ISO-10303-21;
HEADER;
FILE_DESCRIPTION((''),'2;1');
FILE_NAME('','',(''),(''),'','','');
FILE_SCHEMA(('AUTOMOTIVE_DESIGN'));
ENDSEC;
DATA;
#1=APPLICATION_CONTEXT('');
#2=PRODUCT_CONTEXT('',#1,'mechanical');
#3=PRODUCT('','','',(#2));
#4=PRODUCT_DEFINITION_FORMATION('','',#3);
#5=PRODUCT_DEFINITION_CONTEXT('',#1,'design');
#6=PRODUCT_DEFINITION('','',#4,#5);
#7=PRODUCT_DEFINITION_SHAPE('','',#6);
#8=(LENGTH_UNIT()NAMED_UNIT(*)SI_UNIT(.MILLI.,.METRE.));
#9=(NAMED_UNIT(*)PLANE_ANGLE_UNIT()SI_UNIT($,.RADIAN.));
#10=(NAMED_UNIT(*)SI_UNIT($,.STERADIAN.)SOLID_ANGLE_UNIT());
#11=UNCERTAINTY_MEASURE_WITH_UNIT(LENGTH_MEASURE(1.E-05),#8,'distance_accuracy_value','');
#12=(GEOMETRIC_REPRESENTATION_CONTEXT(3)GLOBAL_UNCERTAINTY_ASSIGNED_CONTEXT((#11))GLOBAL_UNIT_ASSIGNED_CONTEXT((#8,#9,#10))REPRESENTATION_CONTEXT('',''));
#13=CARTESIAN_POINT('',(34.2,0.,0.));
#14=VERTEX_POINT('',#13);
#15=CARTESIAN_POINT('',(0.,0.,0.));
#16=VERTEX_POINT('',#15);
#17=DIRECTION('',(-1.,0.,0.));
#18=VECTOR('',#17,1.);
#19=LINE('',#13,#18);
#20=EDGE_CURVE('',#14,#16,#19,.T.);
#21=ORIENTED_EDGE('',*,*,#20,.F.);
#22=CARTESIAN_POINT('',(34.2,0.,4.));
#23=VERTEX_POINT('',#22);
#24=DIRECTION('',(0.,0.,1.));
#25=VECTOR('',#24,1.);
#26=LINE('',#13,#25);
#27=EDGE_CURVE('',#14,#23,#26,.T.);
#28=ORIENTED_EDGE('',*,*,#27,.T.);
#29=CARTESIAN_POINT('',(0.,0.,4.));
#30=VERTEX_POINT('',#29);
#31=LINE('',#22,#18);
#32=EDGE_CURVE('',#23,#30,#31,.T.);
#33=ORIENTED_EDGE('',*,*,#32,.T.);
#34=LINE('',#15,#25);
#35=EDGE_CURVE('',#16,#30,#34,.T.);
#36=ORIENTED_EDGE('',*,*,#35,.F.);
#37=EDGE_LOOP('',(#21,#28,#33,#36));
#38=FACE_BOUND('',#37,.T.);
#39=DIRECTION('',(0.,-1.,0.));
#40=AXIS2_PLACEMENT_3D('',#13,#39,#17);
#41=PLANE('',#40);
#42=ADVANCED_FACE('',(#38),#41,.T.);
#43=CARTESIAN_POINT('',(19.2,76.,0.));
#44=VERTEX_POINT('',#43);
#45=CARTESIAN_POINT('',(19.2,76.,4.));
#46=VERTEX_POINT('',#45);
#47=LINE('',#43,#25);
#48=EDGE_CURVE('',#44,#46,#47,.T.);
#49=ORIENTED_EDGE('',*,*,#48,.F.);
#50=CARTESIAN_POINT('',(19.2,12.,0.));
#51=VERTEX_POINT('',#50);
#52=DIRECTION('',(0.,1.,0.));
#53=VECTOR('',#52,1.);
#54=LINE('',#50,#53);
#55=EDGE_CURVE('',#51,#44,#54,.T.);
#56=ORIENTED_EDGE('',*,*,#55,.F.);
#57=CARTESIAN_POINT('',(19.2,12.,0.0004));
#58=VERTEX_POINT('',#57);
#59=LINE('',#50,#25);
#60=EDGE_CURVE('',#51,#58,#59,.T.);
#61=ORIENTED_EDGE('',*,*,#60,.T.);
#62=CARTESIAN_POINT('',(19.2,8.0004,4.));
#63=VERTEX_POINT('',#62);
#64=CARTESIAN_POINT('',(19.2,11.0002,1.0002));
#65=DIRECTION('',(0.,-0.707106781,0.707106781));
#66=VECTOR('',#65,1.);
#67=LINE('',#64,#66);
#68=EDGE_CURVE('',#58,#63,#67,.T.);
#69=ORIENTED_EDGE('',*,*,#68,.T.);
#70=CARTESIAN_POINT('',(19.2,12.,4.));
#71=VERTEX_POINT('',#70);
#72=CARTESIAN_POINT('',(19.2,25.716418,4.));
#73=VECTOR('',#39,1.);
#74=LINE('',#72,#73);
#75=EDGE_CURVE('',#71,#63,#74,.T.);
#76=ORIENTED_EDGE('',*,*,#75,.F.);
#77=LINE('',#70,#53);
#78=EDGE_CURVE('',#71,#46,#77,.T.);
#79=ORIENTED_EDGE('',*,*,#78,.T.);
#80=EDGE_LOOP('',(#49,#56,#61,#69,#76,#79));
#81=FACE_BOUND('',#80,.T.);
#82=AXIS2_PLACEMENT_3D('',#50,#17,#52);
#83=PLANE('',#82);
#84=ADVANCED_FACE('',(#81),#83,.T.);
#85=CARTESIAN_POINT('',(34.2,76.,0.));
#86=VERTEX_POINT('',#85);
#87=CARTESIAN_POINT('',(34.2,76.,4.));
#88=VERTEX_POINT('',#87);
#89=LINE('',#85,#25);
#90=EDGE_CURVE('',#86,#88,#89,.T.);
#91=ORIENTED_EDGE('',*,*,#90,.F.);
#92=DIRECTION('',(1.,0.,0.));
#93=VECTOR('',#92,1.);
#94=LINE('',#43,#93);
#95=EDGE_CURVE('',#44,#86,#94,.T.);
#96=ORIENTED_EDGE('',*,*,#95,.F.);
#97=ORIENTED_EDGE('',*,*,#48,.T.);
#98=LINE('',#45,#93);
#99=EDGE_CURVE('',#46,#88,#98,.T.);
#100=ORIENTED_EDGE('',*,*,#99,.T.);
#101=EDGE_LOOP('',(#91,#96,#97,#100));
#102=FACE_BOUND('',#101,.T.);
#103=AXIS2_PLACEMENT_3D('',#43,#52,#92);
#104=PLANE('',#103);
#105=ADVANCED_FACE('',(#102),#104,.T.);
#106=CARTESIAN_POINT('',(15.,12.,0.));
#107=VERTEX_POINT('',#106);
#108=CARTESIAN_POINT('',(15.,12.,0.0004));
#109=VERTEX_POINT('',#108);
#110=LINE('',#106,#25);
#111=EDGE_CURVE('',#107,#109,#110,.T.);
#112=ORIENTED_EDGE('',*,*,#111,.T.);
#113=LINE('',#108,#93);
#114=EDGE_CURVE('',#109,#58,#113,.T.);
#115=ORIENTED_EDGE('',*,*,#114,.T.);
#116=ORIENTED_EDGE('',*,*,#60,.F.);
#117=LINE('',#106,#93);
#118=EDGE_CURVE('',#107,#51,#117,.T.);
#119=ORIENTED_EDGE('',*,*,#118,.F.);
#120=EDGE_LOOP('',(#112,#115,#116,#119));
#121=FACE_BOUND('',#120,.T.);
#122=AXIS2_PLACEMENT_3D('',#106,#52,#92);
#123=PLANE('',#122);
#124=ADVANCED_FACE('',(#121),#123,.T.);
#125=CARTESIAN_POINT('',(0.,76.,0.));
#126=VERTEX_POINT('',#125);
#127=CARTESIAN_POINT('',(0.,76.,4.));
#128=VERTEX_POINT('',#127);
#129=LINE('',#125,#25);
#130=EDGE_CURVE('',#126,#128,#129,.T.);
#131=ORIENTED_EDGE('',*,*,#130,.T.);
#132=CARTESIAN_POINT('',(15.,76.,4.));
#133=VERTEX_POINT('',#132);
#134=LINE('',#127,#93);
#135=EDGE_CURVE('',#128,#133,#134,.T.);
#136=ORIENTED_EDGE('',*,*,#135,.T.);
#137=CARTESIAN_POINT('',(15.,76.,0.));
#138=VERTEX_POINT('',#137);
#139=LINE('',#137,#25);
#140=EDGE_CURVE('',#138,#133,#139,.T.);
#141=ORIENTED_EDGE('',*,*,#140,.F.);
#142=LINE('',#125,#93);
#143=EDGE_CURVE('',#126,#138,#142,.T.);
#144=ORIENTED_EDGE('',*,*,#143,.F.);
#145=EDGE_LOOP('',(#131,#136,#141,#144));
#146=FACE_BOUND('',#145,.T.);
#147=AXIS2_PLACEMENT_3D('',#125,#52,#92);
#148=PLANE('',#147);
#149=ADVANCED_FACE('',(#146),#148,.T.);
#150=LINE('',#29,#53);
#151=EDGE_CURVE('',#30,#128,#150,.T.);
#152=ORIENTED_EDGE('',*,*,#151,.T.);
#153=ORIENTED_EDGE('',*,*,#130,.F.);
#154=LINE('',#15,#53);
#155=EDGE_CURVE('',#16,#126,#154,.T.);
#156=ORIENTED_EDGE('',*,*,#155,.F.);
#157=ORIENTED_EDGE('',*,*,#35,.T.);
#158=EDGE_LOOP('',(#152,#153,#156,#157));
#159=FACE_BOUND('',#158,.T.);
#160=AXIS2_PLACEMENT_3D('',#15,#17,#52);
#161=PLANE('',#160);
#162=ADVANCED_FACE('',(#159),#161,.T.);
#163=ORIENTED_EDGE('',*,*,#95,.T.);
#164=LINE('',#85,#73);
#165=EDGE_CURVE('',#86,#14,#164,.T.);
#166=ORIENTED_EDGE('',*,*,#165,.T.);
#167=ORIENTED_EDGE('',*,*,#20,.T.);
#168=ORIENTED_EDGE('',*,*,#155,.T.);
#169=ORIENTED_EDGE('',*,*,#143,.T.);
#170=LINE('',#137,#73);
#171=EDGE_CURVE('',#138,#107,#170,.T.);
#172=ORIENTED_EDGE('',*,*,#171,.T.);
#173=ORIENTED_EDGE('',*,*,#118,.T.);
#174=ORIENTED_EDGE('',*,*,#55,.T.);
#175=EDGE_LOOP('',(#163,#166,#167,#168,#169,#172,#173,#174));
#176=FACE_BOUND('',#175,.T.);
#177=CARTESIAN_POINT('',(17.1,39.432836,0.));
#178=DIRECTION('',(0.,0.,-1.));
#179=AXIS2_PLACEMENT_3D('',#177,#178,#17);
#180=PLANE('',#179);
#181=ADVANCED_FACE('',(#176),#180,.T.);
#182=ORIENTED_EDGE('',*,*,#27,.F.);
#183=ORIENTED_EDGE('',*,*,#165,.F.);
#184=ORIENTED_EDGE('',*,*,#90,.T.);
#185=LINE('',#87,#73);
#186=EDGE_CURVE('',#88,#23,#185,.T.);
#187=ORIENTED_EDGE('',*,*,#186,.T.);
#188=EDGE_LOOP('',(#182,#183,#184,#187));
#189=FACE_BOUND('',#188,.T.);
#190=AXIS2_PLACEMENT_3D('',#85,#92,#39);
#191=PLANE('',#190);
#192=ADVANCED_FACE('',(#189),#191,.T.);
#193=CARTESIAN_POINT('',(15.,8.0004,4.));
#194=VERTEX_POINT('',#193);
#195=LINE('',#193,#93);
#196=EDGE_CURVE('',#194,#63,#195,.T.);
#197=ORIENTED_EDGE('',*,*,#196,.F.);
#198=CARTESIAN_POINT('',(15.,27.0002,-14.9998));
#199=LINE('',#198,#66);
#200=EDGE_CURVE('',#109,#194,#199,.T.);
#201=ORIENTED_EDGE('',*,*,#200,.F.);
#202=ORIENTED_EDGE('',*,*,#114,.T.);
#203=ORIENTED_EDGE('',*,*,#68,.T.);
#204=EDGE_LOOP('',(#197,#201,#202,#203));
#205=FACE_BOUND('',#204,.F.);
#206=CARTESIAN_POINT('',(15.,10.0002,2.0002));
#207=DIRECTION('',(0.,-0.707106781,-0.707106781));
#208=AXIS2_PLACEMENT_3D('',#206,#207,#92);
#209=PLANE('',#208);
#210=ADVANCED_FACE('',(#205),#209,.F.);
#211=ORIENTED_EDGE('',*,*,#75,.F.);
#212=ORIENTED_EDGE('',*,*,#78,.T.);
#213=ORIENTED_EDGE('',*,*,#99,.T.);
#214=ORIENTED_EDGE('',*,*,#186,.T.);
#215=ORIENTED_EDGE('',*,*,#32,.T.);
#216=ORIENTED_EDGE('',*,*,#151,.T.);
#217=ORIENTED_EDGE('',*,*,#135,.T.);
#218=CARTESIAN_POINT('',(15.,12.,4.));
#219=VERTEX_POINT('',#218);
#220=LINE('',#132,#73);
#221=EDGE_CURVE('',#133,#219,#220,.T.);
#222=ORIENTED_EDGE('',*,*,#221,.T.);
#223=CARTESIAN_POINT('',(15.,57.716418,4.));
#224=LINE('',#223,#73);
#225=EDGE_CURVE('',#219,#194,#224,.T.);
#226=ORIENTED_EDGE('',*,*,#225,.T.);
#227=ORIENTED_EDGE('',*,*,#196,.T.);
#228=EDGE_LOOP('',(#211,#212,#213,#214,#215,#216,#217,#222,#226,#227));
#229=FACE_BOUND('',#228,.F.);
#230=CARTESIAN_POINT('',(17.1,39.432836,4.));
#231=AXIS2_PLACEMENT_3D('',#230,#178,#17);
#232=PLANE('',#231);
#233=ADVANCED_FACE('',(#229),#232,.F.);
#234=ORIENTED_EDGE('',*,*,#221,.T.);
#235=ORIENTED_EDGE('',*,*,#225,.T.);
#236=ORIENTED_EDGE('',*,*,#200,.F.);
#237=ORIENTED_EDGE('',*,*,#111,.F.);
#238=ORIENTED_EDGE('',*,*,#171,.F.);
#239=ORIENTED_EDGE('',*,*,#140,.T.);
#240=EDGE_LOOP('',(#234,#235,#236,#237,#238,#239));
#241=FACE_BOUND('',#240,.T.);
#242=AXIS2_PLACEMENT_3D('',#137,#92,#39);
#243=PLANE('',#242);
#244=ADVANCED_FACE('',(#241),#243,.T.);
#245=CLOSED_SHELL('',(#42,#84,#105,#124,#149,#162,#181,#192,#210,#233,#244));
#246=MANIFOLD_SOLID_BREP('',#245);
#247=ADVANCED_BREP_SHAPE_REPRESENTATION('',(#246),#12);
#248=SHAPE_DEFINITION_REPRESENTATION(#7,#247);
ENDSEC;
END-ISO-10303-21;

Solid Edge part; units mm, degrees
sketch "Sketch1" plane through (0, 0, 0) normal (0, 0, 1) x (1, 0, 0)
  line L0 (34.2, 76) -> (34.2, 0)
  line L1 (34.2, 0) -> (0, 0)
  line L2 (0, 0) -> (0, 76)
  line L3 (0, 76) -> (15, 76)
  line L4 (15, 76) -> (15, 12)
  line L5 (15, 12) -> (19.2, 12)
  line L6 (19.2, 12) -> (19.2, 76)
  line L7 (19.2, 76) -> (34.2, 76)
extrude "Protrusion1" add sketch "Sketch1" along normal blind 4
chamfer "Chaflán_2" distance 4 angle 45 1 edges at (17.1, 12, 4)
